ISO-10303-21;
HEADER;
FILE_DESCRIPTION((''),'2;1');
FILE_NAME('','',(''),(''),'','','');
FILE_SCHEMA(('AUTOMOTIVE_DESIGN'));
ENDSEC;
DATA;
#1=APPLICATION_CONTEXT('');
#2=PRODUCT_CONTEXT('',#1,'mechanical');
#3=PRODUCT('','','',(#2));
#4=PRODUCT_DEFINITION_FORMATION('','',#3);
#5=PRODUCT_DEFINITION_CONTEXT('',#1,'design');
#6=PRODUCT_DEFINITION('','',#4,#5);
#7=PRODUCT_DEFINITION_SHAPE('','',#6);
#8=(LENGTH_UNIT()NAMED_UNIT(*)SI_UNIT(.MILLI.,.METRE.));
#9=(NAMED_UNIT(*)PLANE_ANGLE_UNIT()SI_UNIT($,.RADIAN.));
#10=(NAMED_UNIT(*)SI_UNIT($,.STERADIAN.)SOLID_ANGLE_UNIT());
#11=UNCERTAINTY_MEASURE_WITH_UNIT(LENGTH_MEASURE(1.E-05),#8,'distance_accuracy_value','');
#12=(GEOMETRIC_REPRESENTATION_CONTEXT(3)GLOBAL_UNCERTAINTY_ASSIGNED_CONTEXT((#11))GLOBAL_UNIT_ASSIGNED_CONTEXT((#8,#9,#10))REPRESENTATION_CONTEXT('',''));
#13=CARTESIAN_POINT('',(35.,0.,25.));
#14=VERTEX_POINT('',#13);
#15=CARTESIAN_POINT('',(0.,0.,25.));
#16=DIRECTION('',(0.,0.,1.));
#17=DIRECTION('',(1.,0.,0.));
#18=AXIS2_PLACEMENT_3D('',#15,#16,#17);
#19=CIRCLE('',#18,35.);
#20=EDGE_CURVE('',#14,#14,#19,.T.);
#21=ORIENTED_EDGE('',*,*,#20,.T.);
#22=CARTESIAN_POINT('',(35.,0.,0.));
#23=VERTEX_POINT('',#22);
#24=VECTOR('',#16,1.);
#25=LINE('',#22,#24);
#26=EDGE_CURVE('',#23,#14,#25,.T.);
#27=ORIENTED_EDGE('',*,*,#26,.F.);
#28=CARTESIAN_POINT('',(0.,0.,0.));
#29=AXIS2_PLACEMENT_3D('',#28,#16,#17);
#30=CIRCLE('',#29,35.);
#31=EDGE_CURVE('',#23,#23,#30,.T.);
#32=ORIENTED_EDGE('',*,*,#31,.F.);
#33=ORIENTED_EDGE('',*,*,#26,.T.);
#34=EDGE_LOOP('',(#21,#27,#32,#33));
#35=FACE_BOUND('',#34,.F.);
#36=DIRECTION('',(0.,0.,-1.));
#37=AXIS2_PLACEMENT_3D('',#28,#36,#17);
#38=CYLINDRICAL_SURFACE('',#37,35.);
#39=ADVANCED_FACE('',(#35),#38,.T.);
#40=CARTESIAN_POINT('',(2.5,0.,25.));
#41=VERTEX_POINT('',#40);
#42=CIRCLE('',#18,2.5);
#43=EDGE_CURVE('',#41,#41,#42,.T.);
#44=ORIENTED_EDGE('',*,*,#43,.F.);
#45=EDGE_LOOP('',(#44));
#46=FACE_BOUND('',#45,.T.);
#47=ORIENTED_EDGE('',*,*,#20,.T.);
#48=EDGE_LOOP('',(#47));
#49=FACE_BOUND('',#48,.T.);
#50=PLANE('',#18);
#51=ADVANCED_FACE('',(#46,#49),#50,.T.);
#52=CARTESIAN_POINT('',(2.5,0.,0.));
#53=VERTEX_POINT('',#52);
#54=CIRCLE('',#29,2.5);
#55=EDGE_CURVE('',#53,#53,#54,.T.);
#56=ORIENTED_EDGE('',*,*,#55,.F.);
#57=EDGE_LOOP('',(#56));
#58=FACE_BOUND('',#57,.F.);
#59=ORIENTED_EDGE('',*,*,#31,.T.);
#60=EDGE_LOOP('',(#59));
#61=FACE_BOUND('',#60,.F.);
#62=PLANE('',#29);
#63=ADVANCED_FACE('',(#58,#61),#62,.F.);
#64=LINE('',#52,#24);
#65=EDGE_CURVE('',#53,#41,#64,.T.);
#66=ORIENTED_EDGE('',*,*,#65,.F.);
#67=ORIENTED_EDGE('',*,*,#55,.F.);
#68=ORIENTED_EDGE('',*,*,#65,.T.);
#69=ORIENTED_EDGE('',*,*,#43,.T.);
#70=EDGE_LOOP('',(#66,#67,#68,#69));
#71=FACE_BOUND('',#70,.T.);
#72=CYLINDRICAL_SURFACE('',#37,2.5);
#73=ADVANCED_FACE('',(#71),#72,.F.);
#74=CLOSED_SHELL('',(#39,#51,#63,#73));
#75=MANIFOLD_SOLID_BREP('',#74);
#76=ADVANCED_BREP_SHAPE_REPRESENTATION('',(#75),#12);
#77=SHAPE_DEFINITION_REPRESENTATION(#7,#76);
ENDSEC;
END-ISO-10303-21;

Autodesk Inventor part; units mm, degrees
ref_plane "YZ Plane" through (0, 0, 0) normal (1, 0, 0) x (0, 1, 0)
ref_plane "XZ Plane" through (0, 0, 0) normal (0, 1, 0) x (-1, 0, 0)
ref_plane "XY Plane" through (0, 0, 0) normal (0, 0, 1) x (1, 0, 0)
sketch "스케치1" plane through (0, 0, 0) normal (0, 0, 1) x (1, 0, 0)
  circle A0 centre (0, 0) radius 35
  circle A1 centre (0, 0) radius 2.5
  dimension "d0" = 70
  dimension "d3" = 5
extrude "돌출1" add sketch "스케치1" along normal blind 25
properties part number "TireDummy"
